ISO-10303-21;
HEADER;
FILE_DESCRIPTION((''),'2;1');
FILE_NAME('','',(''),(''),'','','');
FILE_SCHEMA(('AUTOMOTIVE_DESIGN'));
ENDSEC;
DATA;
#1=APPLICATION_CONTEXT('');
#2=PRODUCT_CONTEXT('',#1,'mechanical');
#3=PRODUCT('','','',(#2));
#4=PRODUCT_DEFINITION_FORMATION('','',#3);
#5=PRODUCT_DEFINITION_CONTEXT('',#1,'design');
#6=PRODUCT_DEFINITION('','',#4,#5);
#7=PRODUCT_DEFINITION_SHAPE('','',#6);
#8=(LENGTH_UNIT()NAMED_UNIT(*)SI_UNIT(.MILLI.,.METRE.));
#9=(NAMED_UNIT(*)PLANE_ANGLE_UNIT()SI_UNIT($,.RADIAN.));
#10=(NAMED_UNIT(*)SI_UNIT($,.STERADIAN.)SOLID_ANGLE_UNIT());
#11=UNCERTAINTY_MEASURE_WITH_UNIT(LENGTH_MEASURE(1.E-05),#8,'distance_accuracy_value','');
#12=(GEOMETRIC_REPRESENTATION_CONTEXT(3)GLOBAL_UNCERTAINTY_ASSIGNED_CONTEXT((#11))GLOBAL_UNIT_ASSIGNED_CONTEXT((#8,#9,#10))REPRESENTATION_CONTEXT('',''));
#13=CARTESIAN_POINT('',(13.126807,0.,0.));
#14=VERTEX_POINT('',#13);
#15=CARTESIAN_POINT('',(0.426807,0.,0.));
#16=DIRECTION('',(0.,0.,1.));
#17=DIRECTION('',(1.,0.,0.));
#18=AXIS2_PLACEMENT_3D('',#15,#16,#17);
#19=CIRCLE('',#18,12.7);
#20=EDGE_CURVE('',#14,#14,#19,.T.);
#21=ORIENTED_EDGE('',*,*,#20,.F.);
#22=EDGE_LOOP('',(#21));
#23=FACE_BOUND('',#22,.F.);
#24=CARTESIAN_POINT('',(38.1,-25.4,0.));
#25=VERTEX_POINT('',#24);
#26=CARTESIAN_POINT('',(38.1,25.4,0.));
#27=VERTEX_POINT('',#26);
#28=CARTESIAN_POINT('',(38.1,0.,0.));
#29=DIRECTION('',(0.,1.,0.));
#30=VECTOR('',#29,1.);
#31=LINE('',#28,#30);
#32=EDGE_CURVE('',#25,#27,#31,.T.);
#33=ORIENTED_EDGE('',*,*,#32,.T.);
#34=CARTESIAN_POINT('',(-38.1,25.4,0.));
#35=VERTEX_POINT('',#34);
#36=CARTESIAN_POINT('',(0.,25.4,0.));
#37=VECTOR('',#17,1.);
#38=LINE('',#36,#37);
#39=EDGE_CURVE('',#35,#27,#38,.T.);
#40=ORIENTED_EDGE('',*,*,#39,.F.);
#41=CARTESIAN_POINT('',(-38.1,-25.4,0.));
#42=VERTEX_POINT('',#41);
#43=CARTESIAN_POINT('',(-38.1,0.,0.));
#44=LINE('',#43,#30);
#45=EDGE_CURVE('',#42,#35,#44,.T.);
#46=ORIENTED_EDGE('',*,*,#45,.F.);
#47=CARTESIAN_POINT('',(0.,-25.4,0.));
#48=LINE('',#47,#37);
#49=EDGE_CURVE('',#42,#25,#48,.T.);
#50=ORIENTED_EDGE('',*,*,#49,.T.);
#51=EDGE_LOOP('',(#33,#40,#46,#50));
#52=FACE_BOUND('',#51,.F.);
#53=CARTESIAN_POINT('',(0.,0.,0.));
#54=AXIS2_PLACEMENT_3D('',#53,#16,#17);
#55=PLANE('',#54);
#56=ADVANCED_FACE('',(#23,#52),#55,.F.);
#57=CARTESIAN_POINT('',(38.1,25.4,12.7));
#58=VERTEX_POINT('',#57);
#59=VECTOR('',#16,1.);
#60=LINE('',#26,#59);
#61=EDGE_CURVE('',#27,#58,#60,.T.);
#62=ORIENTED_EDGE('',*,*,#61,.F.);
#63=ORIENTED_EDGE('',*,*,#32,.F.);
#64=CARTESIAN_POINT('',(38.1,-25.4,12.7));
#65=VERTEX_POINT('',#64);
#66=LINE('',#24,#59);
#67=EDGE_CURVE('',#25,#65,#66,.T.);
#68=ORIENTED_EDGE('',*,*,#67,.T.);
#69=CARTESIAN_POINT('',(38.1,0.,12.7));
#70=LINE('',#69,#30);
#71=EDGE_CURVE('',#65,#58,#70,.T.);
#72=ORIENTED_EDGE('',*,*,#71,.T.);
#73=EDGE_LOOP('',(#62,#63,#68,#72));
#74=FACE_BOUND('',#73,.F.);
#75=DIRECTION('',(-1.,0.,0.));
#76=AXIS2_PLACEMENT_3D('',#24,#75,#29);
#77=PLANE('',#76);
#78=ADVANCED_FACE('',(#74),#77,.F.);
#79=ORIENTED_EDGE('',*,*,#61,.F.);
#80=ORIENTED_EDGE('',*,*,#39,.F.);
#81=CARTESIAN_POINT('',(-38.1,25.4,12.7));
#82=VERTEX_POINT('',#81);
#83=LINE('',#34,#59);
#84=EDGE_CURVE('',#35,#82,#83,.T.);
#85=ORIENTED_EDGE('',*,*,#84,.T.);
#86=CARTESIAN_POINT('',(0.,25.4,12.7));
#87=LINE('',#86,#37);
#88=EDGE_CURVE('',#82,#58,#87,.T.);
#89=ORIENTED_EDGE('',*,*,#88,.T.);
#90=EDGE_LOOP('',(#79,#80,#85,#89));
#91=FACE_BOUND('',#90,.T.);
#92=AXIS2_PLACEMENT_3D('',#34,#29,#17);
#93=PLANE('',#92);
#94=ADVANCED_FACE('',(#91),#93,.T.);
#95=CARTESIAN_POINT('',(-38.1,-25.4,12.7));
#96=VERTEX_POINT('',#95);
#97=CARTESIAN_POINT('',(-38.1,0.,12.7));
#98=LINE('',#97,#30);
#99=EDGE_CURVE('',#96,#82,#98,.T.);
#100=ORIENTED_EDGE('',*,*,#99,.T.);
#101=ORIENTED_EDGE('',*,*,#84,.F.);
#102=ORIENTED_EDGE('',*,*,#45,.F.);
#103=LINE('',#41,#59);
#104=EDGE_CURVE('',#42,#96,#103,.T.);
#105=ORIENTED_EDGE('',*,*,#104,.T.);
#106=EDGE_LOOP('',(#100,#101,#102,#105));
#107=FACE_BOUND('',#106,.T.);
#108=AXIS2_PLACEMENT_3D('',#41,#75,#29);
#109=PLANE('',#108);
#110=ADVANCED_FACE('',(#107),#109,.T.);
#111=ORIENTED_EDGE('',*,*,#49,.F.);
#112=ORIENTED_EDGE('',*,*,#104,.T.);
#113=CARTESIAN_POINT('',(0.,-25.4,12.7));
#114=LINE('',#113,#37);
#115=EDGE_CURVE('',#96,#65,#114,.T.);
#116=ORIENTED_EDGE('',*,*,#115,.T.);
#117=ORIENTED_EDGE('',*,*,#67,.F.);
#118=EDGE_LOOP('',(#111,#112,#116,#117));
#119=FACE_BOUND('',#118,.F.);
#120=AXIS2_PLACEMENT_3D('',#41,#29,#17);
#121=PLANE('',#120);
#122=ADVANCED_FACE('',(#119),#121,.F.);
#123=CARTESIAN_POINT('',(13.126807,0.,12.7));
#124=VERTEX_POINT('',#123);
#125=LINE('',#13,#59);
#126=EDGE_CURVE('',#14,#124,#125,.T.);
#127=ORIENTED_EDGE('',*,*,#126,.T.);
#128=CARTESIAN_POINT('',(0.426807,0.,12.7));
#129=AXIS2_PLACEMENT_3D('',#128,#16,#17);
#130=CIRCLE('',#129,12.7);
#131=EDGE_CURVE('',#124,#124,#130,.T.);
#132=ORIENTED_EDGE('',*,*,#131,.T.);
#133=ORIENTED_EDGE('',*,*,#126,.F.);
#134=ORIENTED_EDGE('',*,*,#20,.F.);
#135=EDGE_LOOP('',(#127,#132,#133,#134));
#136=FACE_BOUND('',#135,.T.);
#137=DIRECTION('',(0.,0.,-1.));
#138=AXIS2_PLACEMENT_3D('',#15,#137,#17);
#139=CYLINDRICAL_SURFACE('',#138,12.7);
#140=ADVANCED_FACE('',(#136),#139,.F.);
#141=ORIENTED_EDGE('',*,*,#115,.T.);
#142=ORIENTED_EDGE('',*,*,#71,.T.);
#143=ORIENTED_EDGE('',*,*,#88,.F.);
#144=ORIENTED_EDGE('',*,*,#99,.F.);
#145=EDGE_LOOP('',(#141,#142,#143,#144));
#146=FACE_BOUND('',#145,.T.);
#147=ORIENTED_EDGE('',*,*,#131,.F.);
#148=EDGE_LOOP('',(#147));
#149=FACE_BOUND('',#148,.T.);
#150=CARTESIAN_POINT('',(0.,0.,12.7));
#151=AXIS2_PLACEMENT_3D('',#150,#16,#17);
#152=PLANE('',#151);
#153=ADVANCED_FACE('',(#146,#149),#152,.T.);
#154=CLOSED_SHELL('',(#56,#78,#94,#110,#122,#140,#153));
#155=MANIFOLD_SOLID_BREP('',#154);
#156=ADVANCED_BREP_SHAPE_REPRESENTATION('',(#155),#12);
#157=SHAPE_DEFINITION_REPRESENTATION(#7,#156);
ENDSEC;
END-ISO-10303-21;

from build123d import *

# Parameters (mm, degrees)
F1_W     = 76.2
F1_H     = 50.8
F1_R     = 12.7
F2_DEPTH = 12.7


with BuildPart() as f2:
    # F1 (on face) → F2 (new body)
    with BuildSketch(Plane.XY):
        Rectangle(F1_W, F1_H)
        with Locations((0.426807, 0)):
            Circle(F1_R, mode=Mode.SUBTRACT)
    extrude(amount=F2_DEPTH)


solid = f2.part
